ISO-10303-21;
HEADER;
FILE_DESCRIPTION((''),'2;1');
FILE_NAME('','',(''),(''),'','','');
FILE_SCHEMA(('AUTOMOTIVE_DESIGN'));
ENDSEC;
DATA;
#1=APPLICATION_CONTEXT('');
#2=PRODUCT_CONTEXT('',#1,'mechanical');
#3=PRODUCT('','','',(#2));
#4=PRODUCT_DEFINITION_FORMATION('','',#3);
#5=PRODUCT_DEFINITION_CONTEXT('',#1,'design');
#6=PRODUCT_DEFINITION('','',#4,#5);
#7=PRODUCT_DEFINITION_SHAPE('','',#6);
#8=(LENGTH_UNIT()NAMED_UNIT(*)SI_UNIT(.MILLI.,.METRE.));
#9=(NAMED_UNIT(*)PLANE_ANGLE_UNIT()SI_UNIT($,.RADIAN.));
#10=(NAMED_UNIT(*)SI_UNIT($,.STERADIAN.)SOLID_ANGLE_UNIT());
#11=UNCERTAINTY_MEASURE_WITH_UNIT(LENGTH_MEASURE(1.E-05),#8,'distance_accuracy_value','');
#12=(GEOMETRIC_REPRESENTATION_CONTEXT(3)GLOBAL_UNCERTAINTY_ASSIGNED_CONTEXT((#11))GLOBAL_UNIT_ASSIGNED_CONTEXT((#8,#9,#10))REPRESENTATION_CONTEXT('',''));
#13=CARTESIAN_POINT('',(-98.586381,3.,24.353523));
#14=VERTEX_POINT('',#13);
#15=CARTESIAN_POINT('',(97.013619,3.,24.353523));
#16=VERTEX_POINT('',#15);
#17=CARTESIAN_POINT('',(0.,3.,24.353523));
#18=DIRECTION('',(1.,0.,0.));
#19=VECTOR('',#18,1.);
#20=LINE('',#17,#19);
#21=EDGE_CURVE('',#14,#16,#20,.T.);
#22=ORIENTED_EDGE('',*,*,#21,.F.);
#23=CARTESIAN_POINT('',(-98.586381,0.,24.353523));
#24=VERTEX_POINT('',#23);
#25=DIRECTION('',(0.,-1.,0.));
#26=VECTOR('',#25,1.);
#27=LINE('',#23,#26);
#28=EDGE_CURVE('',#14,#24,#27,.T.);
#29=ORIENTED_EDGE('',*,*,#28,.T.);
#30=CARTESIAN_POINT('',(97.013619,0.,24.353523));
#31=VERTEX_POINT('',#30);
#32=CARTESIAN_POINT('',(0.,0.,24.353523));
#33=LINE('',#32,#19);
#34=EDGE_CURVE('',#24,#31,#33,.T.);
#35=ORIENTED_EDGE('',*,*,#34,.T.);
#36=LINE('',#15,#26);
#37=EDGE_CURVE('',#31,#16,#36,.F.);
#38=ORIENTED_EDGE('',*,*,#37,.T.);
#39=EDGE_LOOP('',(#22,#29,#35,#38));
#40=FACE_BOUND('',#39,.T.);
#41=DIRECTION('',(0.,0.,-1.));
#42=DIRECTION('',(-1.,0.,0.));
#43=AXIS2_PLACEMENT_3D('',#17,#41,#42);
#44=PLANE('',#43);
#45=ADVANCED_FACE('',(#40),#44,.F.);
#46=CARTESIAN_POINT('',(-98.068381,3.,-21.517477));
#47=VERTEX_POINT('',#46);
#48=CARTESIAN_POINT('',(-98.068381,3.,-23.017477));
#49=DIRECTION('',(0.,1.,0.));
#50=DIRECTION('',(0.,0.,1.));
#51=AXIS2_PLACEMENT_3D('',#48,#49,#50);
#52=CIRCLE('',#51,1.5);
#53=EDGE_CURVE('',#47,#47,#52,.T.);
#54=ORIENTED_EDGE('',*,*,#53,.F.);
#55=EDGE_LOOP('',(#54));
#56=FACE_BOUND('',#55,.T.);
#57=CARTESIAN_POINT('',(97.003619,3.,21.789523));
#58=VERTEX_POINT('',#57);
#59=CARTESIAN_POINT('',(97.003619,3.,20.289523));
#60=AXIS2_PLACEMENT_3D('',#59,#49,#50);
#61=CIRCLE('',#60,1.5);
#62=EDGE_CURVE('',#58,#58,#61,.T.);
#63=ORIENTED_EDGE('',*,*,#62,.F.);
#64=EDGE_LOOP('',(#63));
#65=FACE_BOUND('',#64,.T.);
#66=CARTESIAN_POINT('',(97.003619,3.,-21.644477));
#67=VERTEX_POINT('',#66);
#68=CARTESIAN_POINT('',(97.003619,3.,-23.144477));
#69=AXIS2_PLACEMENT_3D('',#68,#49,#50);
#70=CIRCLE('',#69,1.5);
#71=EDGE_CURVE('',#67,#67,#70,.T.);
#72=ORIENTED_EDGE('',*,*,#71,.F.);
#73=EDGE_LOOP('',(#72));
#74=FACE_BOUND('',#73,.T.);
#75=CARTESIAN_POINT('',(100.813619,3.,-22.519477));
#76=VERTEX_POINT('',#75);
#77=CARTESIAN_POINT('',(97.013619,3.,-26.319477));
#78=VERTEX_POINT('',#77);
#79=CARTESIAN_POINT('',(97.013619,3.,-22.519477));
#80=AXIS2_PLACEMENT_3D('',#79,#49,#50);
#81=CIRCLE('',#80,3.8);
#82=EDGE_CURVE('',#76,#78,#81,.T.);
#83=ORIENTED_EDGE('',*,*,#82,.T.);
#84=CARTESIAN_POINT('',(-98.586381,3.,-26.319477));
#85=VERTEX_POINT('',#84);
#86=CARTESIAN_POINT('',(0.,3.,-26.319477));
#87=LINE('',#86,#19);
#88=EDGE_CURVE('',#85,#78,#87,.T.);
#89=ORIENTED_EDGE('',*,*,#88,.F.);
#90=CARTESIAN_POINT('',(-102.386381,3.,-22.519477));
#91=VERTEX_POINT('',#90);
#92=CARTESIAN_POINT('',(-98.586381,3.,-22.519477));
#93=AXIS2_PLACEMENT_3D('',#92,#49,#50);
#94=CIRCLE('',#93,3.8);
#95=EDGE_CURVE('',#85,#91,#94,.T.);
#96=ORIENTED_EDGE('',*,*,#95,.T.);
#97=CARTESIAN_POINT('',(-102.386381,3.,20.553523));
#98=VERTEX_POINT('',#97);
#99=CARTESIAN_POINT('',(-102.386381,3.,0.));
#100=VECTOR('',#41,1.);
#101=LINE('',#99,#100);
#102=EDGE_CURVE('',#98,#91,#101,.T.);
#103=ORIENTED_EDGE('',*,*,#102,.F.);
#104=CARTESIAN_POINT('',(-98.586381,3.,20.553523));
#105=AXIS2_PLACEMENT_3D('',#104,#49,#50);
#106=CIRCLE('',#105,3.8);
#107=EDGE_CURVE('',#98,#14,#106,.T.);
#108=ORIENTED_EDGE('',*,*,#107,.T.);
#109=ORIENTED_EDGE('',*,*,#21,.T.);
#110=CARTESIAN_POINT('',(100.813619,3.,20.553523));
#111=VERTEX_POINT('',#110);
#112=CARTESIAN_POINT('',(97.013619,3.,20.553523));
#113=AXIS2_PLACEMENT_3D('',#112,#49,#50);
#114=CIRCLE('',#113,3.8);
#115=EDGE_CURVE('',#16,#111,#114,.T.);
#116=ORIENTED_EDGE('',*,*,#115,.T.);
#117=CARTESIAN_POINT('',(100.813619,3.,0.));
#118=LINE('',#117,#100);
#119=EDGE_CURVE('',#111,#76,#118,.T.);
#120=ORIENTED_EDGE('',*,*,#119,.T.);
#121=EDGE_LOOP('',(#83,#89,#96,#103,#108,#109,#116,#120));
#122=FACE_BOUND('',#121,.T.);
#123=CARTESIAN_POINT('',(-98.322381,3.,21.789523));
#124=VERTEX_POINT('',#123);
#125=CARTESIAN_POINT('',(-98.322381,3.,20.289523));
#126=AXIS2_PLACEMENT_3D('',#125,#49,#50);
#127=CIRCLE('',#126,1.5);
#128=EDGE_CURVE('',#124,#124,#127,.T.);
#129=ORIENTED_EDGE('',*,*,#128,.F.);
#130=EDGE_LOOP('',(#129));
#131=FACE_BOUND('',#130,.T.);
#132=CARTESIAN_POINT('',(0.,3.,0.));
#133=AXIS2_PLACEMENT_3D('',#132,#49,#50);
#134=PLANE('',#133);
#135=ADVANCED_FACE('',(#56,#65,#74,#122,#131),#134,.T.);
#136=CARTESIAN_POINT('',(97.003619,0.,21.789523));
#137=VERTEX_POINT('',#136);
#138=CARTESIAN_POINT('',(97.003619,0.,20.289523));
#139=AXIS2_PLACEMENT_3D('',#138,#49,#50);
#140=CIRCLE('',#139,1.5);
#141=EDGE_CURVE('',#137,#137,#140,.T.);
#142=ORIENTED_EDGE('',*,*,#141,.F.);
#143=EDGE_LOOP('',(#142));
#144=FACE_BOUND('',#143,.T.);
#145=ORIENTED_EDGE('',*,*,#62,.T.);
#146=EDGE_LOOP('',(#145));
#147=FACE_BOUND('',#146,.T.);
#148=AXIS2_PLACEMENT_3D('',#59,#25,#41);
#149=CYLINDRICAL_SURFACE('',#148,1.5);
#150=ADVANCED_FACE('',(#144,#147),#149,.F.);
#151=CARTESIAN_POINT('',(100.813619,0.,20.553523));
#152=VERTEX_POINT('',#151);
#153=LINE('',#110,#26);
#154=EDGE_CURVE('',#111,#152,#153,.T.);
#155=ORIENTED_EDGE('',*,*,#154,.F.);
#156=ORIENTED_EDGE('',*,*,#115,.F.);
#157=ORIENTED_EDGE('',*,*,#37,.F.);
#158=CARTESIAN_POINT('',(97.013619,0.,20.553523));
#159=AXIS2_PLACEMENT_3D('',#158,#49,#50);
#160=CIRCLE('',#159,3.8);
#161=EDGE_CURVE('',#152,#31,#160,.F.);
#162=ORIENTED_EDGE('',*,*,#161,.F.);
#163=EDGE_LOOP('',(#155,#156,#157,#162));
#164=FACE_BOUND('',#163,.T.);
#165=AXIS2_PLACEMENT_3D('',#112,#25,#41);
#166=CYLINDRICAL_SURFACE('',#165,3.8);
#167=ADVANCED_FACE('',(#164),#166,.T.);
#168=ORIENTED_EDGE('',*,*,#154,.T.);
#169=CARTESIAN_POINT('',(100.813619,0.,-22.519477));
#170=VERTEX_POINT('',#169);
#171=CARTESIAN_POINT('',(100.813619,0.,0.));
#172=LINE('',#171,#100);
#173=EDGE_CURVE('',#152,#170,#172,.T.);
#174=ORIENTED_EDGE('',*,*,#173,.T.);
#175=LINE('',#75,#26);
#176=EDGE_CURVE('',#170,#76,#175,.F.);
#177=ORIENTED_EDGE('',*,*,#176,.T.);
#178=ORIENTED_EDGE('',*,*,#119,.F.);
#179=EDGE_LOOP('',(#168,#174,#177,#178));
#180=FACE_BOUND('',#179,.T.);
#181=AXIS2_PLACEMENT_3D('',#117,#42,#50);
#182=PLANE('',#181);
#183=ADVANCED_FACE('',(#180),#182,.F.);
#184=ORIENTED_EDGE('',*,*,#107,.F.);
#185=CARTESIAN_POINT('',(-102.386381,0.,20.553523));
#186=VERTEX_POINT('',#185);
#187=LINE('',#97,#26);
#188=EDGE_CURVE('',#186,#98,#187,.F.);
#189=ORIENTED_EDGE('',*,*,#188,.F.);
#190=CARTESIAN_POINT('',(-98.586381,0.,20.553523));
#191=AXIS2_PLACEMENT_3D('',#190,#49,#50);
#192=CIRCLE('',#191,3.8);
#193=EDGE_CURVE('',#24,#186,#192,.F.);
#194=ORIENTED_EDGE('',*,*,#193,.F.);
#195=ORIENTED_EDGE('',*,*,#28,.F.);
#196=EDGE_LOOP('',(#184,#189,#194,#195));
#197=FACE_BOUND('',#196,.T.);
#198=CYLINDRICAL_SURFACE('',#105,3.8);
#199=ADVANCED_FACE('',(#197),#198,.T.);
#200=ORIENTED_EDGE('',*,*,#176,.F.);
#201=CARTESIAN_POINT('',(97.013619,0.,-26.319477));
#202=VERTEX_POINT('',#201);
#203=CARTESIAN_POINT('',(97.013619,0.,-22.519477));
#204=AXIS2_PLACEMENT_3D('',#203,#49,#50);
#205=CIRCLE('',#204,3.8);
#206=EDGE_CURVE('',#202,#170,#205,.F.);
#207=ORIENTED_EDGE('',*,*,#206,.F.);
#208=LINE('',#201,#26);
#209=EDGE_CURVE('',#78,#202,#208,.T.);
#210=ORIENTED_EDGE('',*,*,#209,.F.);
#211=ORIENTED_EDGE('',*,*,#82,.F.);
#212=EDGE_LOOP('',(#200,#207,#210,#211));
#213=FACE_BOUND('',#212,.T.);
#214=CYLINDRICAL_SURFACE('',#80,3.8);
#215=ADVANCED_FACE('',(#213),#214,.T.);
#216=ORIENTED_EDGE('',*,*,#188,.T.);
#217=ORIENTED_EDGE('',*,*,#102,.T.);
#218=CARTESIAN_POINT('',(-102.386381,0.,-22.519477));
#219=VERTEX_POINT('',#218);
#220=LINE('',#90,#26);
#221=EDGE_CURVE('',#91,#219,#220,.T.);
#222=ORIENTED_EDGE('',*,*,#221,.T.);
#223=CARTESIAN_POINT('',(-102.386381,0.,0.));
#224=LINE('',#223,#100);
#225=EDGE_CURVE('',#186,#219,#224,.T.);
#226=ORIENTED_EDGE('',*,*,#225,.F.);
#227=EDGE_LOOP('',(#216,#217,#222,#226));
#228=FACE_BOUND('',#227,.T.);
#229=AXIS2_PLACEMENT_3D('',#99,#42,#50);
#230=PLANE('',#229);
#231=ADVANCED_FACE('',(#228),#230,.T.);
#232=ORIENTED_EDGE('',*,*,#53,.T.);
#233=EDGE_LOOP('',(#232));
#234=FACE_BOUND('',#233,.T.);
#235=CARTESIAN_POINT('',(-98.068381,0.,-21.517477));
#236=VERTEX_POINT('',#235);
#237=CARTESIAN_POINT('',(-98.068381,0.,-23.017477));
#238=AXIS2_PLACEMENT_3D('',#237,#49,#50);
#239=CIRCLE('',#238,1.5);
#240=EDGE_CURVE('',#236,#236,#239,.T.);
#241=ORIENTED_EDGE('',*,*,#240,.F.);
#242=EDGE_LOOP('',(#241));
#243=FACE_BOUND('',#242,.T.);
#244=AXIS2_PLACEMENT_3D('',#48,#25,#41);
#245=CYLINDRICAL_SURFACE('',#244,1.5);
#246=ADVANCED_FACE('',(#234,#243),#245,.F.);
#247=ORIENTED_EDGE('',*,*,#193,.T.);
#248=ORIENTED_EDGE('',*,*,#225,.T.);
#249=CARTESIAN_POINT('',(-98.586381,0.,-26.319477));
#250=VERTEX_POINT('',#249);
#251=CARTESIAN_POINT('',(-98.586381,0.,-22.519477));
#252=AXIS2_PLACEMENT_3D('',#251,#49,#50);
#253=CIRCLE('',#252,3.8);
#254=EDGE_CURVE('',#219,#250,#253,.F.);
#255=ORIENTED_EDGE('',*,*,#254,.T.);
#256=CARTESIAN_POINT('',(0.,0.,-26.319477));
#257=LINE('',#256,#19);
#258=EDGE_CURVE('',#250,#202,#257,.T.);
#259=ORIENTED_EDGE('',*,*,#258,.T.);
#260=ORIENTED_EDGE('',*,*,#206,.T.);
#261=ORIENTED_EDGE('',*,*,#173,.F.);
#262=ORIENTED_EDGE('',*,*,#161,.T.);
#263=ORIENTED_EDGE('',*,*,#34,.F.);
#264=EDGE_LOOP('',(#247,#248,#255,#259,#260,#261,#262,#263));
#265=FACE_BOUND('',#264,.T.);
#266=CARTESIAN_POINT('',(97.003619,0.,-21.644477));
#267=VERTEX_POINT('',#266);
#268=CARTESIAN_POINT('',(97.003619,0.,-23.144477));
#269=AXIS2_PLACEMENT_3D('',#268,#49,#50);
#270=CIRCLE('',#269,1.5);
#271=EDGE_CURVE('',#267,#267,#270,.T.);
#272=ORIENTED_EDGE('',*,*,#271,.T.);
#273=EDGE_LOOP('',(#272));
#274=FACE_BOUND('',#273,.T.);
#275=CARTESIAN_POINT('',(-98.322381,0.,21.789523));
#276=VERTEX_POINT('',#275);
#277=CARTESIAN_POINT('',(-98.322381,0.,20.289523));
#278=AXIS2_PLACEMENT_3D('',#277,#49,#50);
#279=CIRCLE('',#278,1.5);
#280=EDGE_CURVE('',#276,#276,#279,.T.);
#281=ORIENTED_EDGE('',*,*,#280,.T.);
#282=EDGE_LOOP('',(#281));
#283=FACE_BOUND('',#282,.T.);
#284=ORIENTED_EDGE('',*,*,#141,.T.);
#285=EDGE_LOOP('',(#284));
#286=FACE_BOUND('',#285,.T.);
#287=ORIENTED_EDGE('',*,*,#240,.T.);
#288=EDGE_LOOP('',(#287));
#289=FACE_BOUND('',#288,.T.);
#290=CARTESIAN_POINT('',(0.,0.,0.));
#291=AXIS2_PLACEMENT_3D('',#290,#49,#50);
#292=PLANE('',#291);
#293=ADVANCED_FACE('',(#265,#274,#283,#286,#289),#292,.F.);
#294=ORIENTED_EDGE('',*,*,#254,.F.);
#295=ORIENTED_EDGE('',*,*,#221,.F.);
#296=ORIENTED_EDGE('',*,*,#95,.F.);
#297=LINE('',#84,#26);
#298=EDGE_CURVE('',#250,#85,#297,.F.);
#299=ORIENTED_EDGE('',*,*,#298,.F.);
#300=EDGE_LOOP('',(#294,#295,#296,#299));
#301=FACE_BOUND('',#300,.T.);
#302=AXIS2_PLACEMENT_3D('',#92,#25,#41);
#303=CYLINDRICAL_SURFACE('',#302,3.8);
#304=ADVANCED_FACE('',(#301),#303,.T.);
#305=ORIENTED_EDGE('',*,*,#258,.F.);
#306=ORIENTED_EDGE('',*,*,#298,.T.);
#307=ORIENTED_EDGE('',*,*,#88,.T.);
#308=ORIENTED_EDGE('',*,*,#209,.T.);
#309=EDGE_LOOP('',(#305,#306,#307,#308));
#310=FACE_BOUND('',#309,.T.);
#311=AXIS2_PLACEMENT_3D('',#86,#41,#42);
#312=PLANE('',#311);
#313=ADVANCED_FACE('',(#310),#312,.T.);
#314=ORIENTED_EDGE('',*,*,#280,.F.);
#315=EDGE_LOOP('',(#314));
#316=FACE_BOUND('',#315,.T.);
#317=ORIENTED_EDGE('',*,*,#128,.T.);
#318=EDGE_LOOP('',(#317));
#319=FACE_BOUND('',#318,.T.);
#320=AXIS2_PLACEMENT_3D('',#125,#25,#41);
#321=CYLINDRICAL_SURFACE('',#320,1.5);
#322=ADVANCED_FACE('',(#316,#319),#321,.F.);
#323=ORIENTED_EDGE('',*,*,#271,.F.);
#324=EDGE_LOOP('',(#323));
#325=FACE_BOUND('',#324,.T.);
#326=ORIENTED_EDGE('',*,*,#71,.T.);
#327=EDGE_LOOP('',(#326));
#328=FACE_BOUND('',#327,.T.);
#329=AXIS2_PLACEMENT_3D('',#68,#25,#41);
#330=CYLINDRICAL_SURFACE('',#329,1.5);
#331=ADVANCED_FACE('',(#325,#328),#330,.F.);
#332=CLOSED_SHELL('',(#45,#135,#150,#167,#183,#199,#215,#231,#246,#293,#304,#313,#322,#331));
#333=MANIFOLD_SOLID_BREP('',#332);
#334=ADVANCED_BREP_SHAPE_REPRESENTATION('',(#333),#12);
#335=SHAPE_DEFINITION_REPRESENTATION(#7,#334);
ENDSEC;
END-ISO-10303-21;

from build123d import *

# Parameters (mm, degrees)
SKETCH_1_W      = 203.2
SKETCH_1_H      = 50.673
SKETCH_1_R      = 1.5
EXTRUDE_1_DEPTH = 3
FILLET_1_R      = 3.8


with BuildPart() as part:
    # 草图1 → 凸台-拉伸1 (new body)
    with BuildSketch(Plane(origin=(0, 0, 0), x_dir=(1, 0, 0), z_dir=(0, 1, 0))):
        with Locations((-0.786381305, 0.982976631)):
            Rectangle(SKETCH_1_W, SKETCH_1_H)
        with Locations((97.003618695, -20.289523369)):
            Circle(SKETCH_1_R, mode=Mode.SUBTRACT)
        with Locations((97.003618695, 23.144476631)):
            Circle(SKETCH_1_R, mode=Mode.SUBTRACT)
        with Locations((-98.068381305, 23.017476631)):
            Circle(SKETCH_1_R, mode=Mode.SUBTRACT)
        with Locations((-98.322381305, -20.289523369)):
            Circle(SKETCH_1_R, mode=Mode.SUBTRACT)
    extrude(amount=EXTRUDE_1_DEPTH)

    # 圆角1
    fillet_1_edges = [part.edges().sort_by_distance(p)[0] for p in [
        (-102.386381305, 1.5, 24.353523369),
        (-102.386381305, 1.5, -26.319476631),
        (100.813618695, 1.5, -26.319476631),
        (100.813618695, 1.5, 24.353523369),
    ]]
    fillet(fillet_1_edges, radius=FILLET_1_R)


solid = part.part
